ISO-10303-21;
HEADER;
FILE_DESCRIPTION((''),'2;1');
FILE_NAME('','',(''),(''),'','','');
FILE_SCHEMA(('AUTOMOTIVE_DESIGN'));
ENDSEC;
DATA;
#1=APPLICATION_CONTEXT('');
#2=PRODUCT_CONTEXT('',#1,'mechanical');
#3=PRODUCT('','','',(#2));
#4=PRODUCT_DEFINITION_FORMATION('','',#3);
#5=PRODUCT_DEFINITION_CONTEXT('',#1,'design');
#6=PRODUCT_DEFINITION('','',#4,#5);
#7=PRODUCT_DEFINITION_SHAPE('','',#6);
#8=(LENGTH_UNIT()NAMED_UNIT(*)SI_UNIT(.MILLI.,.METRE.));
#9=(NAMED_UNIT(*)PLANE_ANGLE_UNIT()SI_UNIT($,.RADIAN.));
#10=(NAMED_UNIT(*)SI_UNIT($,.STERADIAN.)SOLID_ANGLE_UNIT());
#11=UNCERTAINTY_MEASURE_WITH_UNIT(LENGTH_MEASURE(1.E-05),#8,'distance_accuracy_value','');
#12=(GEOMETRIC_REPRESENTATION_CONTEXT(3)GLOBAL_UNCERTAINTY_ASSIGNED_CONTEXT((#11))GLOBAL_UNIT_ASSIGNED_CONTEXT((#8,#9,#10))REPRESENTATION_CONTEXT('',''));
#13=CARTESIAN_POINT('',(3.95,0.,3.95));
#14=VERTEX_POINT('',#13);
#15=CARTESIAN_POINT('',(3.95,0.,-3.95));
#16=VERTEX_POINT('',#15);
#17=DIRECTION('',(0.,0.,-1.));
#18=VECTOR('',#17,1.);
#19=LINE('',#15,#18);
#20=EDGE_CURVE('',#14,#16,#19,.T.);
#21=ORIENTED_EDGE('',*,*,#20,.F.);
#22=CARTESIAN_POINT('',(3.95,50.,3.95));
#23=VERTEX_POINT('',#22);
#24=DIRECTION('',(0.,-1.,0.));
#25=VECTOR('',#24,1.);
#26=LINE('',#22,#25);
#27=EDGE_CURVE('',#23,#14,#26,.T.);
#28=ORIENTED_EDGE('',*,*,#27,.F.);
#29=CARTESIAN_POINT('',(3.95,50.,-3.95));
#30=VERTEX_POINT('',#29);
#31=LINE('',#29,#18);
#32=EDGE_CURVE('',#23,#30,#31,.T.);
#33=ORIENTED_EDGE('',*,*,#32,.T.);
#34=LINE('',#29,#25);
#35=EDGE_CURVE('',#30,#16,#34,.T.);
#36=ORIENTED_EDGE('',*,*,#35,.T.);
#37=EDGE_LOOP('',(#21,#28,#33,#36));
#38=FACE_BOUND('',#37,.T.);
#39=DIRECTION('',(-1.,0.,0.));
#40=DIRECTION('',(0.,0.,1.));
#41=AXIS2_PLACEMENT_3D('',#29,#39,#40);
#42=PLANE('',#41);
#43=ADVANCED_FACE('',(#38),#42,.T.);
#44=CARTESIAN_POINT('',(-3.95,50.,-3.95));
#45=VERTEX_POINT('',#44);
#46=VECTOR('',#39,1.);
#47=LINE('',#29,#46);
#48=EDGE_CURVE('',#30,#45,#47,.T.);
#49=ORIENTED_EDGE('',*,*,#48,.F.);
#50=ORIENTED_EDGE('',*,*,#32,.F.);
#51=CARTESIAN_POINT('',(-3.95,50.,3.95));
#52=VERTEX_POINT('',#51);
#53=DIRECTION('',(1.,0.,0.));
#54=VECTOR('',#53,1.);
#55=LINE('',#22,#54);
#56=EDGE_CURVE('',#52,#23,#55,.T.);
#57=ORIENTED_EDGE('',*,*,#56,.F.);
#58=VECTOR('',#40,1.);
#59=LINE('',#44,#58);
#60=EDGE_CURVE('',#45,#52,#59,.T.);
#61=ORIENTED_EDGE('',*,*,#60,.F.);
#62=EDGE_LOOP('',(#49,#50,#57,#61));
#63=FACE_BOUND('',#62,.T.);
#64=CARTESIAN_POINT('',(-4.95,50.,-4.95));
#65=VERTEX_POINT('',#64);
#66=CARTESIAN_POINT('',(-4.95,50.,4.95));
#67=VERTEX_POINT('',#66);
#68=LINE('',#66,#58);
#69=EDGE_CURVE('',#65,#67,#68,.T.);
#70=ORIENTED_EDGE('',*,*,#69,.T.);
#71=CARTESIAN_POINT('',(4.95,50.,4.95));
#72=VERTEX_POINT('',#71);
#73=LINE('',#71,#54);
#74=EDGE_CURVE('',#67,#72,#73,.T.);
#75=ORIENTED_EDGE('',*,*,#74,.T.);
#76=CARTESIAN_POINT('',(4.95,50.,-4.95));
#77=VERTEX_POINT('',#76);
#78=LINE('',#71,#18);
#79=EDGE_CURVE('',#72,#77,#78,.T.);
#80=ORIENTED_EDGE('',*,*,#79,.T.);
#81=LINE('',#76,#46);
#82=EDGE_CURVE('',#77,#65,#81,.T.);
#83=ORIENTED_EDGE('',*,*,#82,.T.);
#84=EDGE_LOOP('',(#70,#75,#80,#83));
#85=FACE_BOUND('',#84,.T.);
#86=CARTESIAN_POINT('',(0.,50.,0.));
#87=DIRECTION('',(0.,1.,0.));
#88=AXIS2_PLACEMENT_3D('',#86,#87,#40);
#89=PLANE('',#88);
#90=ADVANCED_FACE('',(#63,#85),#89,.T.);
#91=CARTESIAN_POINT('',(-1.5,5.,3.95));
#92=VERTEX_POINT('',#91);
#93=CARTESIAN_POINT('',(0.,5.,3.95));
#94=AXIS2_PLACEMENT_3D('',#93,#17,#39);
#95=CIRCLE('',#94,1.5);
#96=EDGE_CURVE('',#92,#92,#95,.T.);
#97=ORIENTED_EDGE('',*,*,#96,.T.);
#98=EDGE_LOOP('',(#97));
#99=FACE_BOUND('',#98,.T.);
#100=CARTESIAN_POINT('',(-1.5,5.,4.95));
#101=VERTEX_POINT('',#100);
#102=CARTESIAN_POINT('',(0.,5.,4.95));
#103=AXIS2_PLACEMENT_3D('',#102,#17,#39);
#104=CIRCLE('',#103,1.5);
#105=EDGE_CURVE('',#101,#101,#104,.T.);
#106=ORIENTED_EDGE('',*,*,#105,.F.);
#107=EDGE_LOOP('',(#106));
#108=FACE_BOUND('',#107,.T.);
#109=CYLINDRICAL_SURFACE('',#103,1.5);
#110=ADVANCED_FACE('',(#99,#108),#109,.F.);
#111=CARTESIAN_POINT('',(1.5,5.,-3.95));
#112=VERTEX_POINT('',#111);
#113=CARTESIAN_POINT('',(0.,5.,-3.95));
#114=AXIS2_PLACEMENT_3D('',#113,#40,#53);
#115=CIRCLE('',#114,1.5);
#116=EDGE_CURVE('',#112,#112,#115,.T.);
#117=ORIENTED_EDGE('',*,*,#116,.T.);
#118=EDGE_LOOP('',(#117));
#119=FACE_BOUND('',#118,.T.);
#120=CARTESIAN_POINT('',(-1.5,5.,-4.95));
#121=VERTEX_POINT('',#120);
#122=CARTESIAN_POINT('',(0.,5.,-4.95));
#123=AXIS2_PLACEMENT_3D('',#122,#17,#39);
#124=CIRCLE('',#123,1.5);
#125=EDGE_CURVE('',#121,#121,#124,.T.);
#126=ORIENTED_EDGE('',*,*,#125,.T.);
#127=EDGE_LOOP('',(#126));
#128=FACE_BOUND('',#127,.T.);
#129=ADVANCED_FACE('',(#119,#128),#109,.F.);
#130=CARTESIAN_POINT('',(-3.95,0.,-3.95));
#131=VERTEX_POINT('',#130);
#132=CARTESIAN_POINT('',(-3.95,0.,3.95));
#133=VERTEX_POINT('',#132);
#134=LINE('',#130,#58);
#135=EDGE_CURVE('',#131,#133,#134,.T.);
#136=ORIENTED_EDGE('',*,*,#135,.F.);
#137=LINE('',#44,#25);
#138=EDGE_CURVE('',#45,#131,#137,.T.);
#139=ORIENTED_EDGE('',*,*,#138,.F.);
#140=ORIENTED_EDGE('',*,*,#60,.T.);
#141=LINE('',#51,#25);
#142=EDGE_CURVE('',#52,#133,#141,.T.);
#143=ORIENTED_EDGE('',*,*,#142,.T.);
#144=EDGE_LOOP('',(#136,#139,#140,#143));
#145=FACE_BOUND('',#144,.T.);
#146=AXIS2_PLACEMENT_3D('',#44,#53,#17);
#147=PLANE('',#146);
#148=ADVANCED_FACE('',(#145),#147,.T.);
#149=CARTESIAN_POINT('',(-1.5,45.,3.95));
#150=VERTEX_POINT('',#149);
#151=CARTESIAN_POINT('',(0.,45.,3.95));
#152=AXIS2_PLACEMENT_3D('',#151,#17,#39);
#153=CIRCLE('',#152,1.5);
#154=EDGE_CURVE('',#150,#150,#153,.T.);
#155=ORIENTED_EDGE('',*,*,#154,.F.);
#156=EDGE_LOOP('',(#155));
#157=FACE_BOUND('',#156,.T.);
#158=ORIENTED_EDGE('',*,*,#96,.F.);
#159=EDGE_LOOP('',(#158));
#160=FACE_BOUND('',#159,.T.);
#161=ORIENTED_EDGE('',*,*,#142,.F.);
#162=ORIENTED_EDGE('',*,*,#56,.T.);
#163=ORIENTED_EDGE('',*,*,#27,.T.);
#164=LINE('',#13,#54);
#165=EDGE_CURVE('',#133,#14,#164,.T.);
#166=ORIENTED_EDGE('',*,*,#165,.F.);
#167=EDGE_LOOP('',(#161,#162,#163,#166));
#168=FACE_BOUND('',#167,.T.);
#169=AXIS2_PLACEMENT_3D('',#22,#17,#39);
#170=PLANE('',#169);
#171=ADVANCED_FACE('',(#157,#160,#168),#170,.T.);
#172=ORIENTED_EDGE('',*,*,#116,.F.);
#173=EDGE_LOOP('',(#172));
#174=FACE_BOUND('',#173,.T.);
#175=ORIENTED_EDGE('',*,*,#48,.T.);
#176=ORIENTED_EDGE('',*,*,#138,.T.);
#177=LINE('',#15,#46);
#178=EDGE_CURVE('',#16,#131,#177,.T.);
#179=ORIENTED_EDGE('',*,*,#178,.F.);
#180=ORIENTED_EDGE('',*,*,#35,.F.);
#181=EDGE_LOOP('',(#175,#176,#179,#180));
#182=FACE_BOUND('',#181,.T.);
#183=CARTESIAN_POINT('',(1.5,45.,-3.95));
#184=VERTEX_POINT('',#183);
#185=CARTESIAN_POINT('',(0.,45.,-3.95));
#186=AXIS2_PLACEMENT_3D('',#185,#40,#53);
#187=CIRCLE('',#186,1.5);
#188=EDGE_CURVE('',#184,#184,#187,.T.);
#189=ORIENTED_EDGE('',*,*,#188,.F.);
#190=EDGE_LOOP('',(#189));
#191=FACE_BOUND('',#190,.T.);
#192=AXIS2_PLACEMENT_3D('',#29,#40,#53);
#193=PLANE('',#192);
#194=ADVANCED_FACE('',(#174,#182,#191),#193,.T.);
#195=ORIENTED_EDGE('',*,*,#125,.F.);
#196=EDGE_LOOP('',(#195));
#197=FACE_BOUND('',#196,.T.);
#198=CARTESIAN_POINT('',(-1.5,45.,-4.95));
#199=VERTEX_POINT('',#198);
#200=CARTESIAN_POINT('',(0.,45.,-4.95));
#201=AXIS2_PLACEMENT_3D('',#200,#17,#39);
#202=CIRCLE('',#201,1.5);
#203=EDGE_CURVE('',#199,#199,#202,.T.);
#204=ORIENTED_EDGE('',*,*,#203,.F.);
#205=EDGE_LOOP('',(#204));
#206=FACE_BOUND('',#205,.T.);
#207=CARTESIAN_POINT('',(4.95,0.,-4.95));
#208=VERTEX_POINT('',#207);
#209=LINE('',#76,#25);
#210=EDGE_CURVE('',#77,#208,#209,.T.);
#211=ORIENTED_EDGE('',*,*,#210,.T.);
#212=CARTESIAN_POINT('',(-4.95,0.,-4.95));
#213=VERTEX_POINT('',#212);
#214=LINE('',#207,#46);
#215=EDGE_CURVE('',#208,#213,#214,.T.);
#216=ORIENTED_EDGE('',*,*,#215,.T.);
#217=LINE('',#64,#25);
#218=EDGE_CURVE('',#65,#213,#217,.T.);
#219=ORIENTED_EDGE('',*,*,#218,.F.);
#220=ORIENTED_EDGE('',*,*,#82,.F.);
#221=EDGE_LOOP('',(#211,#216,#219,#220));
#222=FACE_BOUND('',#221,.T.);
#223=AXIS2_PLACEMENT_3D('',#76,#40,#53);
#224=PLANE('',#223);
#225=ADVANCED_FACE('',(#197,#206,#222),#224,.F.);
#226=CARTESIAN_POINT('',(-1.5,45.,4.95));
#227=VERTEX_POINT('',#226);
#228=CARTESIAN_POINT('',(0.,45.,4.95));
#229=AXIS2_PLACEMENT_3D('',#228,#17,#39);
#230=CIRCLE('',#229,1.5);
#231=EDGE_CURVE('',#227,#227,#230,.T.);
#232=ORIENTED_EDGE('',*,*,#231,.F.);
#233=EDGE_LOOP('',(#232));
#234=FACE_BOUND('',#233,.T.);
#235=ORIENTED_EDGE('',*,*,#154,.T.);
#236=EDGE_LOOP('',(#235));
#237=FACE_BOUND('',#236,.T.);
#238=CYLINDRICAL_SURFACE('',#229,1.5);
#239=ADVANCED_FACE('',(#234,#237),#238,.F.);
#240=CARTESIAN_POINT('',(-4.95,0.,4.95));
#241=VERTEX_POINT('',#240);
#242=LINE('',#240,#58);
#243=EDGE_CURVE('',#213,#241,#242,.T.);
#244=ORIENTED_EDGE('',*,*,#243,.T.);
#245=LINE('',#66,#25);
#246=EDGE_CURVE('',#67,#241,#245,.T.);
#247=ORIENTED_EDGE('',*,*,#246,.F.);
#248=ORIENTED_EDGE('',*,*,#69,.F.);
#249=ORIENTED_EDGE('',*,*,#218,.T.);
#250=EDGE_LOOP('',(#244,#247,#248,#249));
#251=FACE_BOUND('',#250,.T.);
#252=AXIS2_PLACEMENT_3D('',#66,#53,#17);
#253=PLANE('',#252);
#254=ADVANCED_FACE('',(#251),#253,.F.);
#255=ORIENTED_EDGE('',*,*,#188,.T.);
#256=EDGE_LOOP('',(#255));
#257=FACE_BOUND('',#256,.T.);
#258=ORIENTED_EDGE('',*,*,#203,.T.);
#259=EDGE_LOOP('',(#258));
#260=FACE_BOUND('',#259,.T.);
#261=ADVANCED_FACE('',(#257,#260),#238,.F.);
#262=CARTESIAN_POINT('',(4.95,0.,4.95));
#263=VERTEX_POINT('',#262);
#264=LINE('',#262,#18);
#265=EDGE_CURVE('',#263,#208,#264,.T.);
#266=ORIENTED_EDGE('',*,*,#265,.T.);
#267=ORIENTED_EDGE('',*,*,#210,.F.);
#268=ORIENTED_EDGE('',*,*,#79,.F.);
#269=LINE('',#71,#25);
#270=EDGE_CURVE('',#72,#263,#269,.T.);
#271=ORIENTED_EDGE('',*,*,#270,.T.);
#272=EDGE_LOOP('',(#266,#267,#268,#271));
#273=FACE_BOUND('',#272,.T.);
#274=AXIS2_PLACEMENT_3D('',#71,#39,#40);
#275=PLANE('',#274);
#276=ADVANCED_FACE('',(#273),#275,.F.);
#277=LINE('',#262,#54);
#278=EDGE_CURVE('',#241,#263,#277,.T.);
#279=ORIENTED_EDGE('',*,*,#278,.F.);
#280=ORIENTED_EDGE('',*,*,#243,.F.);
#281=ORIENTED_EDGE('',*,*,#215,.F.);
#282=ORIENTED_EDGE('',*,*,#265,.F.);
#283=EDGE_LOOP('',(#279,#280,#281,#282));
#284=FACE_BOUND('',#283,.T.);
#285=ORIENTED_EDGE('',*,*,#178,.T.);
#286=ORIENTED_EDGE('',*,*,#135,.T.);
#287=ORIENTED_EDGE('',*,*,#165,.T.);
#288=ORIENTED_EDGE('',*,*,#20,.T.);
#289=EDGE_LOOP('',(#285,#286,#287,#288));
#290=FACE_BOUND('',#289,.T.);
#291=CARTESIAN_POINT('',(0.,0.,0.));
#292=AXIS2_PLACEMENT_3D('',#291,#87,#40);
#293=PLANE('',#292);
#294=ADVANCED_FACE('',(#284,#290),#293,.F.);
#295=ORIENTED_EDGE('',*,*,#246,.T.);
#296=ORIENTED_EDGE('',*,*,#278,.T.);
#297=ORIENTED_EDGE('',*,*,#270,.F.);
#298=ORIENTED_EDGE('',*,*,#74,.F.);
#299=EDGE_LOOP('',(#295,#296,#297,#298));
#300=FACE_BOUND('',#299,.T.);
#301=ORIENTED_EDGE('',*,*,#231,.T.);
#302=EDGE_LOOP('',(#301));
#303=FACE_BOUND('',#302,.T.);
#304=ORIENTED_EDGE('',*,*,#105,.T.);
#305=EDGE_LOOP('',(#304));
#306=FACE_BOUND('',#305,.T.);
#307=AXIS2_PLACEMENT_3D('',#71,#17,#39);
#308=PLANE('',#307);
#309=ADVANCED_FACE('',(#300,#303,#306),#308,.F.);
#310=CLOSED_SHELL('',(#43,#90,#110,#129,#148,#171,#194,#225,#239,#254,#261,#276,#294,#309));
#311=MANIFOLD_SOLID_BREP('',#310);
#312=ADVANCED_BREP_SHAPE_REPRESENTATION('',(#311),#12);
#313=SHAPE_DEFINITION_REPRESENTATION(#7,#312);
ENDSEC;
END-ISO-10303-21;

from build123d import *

# Parameters (mm, degrees)
SKETCH_1_W         = 9.9
SKETCH_1_H         = 9.9
SKETCH_1_W_2       = 7.9
SKETCH_1_H_2       = 7.9
EXTRUDE_1_DEPTH    = 50
SKETCH2_R          = 1.5
CUT_EXTRUDE2_DEPTH = 10.9


with BuildPart() as part:
    # Эскиз1 → Бобышка-Вытянуть1 (new body)
    with BuildSketch(Plane(origin=(0, 0, 0), x_dir=(1, 0, 0), z_dir=(0, 1, 0))):
        Rectangle(SKETCH_1_W, SKETCH_1_H)
        Rectangle(SKETCH_1_W_2, SKETCH_1_H_2, mode=Mode.SUBTRACT)
    extrude(amount=EXTRUDE_1_DEPTH)

    # Sketch2 → Cut-Extrude2 (cut, through all)
    with BuildSketch(Plane(origin=(0, 0, -4.95), x_dir=(-1, 0, 0), z_dir=(0, 0, -1))):
        with Locations((0, 45)):
            Circle(SKETCH2_R)
        with Locations((0, 5)):
            Circle(SKETCH2_R)
    extrude(amount=-CUT_EXTRUDE2_DEPTH, mode=Mode.SUBTRACT)


solid = part.part
